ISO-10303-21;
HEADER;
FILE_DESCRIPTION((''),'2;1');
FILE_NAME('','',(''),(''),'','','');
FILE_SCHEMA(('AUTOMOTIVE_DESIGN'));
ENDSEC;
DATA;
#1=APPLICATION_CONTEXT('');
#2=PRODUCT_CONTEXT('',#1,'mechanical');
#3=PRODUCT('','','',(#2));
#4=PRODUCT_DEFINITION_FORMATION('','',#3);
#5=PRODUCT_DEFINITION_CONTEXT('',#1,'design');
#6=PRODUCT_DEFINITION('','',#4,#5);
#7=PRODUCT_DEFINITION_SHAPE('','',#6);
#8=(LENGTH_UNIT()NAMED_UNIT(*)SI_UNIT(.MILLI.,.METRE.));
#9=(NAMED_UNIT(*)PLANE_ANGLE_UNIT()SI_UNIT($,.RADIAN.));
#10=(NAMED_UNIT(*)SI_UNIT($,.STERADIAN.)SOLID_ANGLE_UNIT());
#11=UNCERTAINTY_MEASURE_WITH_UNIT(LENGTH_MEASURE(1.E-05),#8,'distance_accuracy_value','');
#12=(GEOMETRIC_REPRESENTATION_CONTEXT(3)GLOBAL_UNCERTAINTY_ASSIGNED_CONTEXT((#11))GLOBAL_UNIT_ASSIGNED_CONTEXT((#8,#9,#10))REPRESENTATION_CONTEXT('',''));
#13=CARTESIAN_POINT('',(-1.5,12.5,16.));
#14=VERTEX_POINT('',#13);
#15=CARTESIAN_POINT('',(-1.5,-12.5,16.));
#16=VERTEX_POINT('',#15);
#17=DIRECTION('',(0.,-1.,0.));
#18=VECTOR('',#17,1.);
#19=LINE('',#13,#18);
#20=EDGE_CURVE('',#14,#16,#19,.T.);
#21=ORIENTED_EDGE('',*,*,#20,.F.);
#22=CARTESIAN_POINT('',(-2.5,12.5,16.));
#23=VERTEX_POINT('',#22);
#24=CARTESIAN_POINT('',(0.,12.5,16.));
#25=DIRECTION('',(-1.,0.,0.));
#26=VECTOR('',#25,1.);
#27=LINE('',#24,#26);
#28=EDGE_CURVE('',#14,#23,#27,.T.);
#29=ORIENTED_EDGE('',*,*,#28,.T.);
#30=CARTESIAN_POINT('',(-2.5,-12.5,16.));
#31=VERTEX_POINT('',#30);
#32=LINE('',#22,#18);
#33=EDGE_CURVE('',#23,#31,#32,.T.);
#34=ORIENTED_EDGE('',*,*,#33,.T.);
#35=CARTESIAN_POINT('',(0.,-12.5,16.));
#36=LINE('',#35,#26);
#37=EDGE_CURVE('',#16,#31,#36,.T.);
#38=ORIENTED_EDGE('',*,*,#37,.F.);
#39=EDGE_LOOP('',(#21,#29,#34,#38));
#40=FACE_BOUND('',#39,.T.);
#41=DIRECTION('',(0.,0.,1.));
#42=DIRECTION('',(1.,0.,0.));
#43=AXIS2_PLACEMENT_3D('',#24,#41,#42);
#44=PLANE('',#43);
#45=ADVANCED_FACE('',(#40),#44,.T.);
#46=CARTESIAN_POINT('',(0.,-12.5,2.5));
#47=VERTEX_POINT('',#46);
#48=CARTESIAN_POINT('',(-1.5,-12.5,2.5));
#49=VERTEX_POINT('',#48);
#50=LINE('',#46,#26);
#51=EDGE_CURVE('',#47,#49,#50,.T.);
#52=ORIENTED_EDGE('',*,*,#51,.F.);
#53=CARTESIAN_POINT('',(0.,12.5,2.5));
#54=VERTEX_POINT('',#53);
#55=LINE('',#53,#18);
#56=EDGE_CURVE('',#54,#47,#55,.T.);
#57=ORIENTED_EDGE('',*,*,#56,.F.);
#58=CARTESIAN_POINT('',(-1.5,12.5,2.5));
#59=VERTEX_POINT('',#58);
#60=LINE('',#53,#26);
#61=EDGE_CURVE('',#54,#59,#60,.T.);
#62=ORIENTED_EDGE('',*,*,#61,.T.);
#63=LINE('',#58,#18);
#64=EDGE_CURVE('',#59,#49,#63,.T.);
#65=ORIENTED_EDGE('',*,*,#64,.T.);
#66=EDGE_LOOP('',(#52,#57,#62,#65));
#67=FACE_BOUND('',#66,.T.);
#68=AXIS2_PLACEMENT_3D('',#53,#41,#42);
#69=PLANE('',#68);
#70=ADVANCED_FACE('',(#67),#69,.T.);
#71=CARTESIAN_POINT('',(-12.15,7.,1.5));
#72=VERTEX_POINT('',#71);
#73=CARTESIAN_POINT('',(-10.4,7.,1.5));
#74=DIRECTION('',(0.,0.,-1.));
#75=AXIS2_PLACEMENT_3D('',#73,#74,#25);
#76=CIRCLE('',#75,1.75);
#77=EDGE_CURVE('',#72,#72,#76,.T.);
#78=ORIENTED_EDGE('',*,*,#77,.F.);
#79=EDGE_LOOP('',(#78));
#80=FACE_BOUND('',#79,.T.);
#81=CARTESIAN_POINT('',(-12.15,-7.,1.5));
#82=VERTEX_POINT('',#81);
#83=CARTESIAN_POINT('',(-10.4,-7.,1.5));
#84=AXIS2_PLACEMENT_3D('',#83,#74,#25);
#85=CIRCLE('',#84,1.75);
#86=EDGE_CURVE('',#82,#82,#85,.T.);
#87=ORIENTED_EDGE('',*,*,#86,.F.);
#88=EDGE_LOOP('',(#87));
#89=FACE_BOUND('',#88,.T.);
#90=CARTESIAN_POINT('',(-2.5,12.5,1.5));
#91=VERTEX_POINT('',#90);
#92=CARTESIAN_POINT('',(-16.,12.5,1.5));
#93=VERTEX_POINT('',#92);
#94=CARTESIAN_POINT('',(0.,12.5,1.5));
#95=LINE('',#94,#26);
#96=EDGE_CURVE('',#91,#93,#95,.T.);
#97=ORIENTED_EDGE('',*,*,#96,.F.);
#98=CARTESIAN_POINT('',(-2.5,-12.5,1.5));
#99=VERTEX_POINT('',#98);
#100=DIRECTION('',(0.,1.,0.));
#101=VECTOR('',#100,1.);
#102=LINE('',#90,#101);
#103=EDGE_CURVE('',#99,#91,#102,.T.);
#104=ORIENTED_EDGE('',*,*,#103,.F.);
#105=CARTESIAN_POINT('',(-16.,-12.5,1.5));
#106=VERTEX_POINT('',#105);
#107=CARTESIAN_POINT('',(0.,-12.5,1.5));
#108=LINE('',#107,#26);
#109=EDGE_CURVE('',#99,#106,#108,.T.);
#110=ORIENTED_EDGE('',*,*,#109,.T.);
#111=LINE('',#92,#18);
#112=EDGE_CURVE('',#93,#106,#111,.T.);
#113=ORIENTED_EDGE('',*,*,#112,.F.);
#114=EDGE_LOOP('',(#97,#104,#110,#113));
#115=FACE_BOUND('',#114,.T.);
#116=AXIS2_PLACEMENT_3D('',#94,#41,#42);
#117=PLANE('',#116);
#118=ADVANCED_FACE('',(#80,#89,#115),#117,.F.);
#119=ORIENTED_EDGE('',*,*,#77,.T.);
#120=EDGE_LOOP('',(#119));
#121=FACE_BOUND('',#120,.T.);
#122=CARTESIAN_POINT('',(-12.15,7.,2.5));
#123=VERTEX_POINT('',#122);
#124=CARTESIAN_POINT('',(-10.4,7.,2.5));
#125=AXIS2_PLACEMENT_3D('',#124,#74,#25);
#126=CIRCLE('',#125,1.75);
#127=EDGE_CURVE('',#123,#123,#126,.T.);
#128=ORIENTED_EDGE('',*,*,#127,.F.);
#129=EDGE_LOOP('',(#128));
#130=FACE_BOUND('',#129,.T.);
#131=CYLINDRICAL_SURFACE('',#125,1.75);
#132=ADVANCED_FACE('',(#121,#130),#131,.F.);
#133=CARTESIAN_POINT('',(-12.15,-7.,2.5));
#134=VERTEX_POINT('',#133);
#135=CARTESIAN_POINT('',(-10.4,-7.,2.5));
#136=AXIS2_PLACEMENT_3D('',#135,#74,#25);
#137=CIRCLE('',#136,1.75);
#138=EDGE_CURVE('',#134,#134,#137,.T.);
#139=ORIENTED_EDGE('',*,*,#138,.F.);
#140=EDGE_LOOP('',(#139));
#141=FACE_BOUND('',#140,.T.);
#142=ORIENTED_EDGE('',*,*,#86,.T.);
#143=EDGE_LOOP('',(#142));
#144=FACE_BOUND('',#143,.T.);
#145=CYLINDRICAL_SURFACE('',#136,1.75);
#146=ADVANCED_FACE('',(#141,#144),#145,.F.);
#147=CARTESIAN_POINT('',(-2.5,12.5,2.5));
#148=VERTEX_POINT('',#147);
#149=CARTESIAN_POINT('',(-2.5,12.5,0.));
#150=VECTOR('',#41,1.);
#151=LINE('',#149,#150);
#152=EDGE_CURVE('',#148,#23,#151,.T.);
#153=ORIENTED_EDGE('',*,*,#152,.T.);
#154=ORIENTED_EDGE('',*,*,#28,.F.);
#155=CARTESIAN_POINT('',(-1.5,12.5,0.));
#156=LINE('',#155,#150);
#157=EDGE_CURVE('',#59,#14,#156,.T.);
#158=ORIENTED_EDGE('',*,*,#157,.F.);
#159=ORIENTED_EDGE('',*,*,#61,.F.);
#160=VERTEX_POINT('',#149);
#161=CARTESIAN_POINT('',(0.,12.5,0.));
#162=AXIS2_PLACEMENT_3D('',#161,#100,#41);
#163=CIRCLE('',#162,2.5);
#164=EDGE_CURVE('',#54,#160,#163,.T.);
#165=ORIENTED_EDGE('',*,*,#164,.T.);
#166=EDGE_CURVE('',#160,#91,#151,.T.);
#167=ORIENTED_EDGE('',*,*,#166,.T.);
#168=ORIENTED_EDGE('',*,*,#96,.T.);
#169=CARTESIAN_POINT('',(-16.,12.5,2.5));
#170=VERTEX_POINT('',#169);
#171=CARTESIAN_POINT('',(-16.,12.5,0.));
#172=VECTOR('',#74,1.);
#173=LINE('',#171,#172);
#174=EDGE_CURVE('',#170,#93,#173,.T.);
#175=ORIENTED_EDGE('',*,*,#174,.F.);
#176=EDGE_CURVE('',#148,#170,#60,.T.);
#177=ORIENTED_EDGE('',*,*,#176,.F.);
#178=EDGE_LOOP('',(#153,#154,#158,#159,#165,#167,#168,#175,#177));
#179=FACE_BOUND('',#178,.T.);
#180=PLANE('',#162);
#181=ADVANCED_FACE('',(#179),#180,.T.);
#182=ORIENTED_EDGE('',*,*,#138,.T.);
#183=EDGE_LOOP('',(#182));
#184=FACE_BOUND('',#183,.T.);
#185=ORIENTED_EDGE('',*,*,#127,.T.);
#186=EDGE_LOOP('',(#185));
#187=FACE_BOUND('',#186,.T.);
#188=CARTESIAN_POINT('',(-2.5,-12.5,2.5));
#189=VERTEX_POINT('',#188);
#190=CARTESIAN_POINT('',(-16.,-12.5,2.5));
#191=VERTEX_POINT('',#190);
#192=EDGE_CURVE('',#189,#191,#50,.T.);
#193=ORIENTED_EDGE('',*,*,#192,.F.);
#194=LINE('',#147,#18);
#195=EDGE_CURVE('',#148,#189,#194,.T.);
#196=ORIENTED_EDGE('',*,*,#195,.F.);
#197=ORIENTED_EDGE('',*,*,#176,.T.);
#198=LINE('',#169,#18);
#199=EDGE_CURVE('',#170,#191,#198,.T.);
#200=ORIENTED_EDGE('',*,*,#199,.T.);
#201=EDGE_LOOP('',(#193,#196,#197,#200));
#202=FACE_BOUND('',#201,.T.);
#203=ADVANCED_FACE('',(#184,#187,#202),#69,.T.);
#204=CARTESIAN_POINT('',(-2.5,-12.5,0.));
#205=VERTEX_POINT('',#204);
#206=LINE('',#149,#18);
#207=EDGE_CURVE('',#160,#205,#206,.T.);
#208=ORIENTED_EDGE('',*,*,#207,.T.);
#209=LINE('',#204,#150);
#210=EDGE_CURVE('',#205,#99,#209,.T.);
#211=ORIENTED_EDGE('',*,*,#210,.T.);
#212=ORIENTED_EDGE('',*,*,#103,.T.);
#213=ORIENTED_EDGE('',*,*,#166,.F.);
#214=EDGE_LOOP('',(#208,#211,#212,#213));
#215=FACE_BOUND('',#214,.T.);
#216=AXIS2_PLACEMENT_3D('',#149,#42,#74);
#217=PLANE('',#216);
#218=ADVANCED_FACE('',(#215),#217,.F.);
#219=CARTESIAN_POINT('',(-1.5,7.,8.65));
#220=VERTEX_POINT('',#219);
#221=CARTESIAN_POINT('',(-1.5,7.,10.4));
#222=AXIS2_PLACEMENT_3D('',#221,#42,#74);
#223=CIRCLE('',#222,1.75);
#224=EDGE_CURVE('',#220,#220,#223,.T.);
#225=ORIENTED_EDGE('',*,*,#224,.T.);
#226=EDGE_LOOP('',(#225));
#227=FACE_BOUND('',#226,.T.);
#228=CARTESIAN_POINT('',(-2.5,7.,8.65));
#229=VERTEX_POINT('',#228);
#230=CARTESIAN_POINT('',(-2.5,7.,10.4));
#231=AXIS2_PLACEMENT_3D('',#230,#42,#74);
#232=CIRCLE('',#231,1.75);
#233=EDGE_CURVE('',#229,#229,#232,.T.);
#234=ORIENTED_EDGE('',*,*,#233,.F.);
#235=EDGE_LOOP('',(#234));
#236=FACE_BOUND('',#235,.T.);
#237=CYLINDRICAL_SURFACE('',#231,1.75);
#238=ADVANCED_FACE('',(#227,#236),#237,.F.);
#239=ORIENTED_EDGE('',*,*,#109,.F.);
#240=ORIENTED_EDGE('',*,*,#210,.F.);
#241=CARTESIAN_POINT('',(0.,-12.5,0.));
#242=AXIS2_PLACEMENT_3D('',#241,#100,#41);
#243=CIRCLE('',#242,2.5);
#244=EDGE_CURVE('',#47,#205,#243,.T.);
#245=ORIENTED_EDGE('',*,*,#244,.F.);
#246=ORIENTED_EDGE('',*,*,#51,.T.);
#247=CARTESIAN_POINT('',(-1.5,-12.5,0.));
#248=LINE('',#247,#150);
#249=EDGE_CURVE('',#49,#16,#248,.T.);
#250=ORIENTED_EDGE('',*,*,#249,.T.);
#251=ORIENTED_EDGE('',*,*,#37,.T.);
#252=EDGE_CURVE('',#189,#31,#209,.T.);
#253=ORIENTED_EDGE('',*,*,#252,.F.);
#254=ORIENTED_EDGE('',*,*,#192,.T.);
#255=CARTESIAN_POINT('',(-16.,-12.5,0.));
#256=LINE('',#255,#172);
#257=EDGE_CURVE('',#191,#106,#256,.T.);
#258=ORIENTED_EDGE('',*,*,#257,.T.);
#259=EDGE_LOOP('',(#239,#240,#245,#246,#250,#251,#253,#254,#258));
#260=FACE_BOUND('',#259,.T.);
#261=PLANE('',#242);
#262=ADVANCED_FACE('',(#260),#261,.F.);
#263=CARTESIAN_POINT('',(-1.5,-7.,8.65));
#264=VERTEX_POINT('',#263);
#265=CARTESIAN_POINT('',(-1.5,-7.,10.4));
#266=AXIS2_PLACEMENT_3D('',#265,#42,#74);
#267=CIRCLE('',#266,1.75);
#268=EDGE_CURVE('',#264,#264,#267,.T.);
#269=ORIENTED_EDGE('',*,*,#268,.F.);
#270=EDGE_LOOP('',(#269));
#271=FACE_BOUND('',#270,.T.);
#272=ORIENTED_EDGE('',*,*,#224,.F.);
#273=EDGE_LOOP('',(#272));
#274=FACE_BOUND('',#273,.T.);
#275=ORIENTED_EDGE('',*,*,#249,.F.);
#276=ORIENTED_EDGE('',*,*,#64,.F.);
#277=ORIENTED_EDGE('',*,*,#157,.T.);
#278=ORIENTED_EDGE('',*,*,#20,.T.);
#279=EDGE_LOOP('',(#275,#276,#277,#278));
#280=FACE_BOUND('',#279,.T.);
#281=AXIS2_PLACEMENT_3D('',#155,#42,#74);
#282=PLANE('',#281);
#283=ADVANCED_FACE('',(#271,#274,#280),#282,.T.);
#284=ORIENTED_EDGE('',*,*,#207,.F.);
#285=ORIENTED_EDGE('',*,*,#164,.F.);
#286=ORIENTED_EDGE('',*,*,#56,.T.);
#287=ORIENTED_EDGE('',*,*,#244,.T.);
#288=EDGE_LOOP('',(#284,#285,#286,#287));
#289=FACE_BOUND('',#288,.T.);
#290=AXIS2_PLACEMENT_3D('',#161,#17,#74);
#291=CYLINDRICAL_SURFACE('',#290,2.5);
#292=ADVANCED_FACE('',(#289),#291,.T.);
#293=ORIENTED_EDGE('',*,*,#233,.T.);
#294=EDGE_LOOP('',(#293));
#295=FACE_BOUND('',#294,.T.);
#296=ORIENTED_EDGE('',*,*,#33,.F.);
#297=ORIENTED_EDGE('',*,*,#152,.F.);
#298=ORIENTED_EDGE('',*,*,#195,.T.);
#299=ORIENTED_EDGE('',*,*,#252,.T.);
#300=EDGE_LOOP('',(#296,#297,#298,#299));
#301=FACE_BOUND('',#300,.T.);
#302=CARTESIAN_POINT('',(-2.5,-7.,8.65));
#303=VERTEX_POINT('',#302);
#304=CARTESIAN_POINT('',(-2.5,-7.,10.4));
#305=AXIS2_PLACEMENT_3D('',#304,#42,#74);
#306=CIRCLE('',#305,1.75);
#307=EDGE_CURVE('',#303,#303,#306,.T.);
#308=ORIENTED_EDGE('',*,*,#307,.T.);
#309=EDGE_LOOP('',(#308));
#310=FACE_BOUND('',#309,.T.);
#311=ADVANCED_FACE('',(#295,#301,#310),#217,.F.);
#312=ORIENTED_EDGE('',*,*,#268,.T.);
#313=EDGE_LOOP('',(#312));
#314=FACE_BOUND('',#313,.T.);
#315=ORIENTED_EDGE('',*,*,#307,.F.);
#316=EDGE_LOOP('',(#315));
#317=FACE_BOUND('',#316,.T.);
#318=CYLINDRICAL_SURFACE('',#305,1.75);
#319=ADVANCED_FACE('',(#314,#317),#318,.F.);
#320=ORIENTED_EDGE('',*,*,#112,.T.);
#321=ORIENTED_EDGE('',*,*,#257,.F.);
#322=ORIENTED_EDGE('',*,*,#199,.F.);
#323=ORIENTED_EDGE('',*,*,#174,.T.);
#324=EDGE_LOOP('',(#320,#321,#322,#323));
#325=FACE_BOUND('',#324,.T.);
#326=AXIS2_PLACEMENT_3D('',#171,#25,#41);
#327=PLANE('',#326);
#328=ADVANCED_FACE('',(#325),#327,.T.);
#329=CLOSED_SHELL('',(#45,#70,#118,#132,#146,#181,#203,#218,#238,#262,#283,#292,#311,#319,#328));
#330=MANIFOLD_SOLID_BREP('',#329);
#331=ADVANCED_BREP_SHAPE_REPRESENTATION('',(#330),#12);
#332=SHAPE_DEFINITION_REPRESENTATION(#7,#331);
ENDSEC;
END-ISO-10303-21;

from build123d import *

# Parameters (mm, degrees)
EXTRUDE_1_DEPTH     = 12.5
SKETCH_4_R          = 2.121320344
EXTRUDE_3_DEPTH     = 25
SKETCH_5_R          = 1.75
CUT_EXTRUDE_1_DEPTH = 1
SKETCH_6_R          = 1.75
CUT_EXTRUDE_2_DEPTH = 1


with BuildPart() as part:
    # 草图1 → 凸台-拉伸1 (new, symmetric)
    with BuildSketch(Plane(origin=(0, 0, 0), x_dir=(1, 0, 0), z_dir=(0, 1, 0))):
        with BuildLine():
            ThreePointArc((0, -2.5), (1.767766953, 1.767766953), (-2.5, 0))
            Line((-2.5, 0), (-2.5, -1.5))
            Line((-2.5, -1.5), (-16, -1.5))
            Line((-16, -1.5), (-16, -2.5))
            Line((-16, -2.5), (-2.5, -2.5))
            Line((-2.5, -2.5), (-2.5, -16))
            Line((-2.5, -16), (-1.5, -16))
            Line((-1.5, -16), (-1.5, -2.5))
            Line((-1.5, -2.5), (0, -2.5))
        make_face()
        with BuildLine():
            ThreePointArc((-1.5, 0), (1.060660172, 1.060660172), (0, -1.5))
            Line((0, -1.5), (-1.5, -1.5))
            Line((-1.5, -1.5), (-1.5, 0))
        make_face(mode=Mode.SUBTRACT)
    extrude(amount=EXTRUDE_1_DEPTH, both=True)

    # 草图4 → 凸台-拉伸3 (add)
    with BuildSketch(Plane(origin=(0, 12.5, 0), x_dir=(1, 0, 0), z_dir=(0, 1, 0))):
        Circle(SKETCH_4_R)
    extrude(amount=-EXTRUDE_3_DEPTH)

    # 草图5 → 切除-拉伸1 (cut)
    with BuildSketch(Plane(origin=(0, 0, 1.5), x_dir=(-1, 0, 0), z_dir=(0, 0, -1))):
        with Locations((10.4, -7)):
            Circle(SKETCH_5_R)
        with Locations((10.4, 7)):
            Circle(SKETCH_5_R)
    extrude(amount=-CUT_EXTRUDE_1_DEPTH, mode=Mode.SUBTRACT)

    # 草图6 → 切除-拉伸2 (cut)
    with BuildSketch(Plane(origin=(-1.5, 0, 0), x_dir=(0, 0, -1), z_dir=(1, 0, 0))):
        with Locations((-10.4, -7)):
            Circle(SKETCH_6_R)
        with Locations((-10.4, 7)):
            Circle(SKETCH_6_R)
    extrude(amount=-CUT_EXTRUDE_2_DEPTH, mode=Mode.SUBTRACT)


solid = part.part
